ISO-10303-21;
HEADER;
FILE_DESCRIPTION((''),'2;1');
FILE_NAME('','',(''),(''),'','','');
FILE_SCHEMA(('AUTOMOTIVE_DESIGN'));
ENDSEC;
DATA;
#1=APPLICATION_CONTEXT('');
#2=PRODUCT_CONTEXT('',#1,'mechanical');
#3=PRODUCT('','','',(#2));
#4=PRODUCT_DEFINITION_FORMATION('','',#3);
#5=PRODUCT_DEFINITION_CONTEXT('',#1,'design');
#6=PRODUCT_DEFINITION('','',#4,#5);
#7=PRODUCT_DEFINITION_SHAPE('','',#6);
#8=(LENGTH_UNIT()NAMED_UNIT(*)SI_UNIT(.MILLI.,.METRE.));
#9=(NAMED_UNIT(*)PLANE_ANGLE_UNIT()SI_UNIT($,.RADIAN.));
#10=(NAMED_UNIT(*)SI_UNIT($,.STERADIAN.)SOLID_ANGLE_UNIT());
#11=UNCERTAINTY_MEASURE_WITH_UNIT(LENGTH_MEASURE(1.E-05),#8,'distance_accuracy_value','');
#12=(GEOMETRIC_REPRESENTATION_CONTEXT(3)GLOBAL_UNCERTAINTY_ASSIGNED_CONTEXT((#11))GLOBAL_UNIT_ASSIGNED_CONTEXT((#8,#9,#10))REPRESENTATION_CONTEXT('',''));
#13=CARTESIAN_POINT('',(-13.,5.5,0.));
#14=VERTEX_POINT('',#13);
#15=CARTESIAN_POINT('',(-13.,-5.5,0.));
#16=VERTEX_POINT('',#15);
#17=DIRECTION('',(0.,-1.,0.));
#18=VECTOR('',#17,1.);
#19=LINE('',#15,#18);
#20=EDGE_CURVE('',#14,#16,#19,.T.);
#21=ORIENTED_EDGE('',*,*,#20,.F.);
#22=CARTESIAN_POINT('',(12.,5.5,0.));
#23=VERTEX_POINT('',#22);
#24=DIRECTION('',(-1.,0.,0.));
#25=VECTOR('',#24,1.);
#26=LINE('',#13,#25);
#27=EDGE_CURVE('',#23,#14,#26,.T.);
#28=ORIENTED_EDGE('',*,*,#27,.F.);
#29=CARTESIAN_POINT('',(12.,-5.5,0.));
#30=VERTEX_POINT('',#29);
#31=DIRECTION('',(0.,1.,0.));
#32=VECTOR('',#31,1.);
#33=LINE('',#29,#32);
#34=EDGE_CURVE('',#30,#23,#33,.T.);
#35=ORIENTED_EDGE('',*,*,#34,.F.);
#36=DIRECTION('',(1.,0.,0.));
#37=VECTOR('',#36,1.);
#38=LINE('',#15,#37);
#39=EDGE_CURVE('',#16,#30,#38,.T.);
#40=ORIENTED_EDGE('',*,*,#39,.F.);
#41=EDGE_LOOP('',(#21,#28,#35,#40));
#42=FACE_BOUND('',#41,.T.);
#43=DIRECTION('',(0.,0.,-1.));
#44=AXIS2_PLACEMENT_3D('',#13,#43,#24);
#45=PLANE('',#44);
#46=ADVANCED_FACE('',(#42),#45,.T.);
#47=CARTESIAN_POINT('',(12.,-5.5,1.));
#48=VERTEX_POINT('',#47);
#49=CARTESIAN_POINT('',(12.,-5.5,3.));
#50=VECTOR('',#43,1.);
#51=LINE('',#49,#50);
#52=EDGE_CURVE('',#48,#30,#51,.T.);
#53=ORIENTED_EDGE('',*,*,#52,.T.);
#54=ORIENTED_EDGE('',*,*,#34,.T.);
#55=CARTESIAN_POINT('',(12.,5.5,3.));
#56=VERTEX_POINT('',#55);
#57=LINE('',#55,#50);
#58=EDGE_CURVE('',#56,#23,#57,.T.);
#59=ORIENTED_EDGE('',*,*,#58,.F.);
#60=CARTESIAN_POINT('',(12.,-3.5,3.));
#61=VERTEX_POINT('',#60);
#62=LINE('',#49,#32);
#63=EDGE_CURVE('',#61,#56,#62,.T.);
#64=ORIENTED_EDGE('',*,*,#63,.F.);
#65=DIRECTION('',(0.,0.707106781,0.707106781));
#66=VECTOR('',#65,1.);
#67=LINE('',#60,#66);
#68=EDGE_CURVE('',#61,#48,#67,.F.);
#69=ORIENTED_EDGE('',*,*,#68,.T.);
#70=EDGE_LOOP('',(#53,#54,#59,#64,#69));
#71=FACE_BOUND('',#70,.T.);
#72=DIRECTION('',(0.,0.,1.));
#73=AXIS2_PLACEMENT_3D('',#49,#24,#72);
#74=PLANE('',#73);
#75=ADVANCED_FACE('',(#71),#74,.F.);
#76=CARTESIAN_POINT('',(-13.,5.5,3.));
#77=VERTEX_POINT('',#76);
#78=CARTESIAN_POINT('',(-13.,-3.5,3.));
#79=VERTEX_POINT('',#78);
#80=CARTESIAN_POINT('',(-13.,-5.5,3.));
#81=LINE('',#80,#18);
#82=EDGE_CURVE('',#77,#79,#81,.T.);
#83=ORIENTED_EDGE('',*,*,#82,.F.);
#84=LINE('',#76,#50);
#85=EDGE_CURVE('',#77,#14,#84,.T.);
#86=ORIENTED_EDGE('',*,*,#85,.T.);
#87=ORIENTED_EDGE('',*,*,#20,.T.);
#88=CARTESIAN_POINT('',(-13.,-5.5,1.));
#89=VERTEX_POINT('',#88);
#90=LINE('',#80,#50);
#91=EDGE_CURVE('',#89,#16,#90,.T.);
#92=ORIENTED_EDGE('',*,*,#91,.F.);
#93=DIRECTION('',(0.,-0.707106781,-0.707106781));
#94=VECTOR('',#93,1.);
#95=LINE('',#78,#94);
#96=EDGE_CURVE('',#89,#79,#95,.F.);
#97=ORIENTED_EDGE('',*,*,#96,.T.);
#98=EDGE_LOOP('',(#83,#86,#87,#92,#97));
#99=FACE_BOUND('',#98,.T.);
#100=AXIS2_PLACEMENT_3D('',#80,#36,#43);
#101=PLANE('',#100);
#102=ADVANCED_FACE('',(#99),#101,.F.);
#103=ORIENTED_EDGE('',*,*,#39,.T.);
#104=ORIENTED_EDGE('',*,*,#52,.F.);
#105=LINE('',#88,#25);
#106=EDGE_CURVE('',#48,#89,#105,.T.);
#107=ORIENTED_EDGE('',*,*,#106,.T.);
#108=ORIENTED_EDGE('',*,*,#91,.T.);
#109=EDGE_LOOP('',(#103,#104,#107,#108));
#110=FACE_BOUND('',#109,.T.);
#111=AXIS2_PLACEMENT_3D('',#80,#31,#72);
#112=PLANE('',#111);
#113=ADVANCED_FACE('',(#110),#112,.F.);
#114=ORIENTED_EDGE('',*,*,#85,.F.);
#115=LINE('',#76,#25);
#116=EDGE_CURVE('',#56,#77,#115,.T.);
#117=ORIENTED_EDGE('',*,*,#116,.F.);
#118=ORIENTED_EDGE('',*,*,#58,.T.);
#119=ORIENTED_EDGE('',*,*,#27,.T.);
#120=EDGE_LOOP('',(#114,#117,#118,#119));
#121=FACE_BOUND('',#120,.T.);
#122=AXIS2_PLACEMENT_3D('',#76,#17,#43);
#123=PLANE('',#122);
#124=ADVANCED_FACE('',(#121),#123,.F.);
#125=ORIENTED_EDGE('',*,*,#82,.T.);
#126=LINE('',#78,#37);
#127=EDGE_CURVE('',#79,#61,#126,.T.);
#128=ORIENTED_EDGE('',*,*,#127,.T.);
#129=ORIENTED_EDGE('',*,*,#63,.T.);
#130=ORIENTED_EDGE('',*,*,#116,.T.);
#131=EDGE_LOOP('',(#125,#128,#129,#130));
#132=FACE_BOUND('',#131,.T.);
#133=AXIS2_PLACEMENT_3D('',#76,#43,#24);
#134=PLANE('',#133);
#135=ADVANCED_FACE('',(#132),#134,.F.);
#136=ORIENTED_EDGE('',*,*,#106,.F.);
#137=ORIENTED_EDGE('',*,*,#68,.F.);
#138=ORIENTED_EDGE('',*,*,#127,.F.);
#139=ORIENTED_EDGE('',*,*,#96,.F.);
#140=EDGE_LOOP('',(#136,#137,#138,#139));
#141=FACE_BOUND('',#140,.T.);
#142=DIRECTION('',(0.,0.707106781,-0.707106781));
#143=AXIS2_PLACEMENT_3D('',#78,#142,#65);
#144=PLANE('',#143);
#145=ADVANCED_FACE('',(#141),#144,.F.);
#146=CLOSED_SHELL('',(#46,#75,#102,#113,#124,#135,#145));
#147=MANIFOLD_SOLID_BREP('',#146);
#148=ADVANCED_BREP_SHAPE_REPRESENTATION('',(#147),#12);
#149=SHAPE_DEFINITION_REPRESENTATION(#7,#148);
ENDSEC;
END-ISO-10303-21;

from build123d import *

# Parameters (mm, degrees)
SKETCH_1_W      = 25
SKETCH_1_H      = 11
EXTRUDE_1_DEPTH = 3
CHAMFER_3_SIZE  = 2


with BuildPart() as part:
    # Эскиз1 → Вытянуть1 (new body)
    with BuildSketch(Plane.XY):
        with Locations((-0.5, 0)):
            Rectangle(SKETCH_1_W, SKETCH_1_H)
    extrude(amount=EXTRUDE_1_DEPTH)

    # Фаска3
    chamfer_3_edges = [part.edges().sort_by_distance(p)[0] for p in [
        (-0.5, -5.5, 3),
    ]]
    chamfer(chamfer_3_edges, length=CHAMFER_3_SIZE)


solid = part.part
